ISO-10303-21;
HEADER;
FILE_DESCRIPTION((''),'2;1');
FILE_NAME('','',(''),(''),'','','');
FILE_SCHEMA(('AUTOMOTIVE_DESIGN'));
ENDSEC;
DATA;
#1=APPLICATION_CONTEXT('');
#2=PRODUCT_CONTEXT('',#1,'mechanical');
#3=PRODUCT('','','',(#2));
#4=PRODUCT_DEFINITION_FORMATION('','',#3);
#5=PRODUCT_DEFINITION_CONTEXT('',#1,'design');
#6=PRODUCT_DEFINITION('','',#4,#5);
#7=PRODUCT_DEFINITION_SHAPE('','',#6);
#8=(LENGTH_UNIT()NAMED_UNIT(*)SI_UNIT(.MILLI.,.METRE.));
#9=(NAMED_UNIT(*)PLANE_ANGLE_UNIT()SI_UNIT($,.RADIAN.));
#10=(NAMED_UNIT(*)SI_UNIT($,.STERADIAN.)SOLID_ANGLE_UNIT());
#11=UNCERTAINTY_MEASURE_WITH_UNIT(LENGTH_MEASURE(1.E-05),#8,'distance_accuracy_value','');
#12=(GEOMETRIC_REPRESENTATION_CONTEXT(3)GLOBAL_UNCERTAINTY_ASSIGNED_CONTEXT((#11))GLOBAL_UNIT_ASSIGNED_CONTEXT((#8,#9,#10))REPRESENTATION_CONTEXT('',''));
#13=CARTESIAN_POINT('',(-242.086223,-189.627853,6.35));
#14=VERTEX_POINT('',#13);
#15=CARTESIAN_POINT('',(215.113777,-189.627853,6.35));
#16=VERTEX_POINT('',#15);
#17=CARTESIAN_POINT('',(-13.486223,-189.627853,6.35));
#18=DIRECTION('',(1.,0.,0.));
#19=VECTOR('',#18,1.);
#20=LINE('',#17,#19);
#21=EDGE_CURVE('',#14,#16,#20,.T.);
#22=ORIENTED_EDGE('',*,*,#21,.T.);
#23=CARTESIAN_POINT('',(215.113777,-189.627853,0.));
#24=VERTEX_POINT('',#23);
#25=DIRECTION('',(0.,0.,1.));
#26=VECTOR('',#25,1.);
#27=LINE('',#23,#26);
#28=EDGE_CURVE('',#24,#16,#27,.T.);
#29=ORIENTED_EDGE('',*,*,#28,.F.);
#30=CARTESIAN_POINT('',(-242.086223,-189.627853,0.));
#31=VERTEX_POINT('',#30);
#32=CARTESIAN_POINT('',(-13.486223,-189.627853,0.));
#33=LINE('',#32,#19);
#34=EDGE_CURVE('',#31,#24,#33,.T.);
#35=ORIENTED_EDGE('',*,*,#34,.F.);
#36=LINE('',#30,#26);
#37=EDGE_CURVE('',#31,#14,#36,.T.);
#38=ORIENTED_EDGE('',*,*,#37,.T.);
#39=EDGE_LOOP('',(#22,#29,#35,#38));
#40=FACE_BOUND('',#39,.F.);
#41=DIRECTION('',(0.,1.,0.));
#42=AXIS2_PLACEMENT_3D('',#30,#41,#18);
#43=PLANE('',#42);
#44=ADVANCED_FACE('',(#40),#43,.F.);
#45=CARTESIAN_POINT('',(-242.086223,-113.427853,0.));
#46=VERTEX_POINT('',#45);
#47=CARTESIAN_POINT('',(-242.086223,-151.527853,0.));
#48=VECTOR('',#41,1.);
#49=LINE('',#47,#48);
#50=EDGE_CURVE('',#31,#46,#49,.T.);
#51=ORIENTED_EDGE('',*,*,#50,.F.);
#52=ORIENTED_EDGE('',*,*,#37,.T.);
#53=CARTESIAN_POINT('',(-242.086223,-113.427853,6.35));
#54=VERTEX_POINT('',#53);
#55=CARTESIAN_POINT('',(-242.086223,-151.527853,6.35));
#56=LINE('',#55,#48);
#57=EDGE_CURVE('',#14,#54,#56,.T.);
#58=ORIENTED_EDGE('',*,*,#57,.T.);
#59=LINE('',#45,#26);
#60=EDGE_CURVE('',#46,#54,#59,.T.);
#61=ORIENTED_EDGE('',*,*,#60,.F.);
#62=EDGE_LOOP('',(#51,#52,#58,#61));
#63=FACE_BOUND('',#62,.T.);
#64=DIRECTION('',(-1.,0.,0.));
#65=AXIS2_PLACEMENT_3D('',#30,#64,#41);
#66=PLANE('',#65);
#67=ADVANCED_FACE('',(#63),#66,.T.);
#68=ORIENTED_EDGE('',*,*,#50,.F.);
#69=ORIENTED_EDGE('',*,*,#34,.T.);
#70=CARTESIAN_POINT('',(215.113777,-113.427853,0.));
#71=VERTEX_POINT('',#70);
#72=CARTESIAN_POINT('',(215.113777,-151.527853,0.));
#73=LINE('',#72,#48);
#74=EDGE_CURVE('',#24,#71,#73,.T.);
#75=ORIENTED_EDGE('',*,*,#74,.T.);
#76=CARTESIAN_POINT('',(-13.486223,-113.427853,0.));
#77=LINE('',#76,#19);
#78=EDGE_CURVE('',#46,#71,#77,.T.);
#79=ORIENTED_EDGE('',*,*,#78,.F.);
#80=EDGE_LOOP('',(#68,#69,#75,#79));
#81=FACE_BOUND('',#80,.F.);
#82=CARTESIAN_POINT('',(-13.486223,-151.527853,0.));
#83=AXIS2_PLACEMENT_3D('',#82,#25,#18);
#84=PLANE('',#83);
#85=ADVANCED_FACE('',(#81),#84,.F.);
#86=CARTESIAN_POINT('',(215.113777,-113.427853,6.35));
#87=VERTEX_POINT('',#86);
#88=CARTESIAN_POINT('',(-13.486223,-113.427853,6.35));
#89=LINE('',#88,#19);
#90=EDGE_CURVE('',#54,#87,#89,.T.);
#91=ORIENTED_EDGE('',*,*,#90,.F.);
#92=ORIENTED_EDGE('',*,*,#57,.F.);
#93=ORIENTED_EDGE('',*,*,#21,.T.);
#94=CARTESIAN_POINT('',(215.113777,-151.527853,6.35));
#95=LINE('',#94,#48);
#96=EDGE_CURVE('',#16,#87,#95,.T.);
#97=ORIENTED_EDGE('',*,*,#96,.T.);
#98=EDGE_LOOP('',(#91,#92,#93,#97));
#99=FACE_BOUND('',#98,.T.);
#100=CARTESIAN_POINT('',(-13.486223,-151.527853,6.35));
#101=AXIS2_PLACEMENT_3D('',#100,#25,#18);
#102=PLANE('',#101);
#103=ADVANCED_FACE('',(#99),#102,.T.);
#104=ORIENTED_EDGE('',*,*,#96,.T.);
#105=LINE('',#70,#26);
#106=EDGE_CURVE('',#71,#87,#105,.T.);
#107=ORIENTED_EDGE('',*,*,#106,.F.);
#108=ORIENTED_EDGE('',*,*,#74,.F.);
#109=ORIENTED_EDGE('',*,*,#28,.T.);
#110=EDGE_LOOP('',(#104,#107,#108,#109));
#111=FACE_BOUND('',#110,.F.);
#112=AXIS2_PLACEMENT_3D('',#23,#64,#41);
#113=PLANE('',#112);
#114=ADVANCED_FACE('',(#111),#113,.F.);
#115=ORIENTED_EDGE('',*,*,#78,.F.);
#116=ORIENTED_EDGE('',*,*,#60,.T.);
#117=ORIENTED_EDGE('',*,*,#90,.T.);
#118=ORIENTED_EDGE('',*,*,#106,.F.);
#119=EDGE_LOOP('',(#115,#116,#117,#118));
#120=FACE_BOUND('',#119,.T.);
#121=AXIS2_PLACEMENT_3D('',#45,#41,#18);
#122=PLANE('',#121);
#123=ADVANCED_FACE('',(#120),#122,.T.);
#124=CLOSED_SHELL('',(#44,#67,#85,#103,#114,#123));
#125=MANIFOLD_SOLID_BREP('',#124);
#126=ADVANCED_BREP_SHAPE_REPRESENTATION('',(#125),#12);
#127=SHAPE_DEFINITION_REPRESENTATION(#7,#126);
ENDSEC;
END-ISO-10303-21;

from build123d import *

# Parameters (mm, degrees)
F1_W     = 457.2
F1_H     = 76.2
F2_DEPTH = 6.35


with BuildPart() as f2:
    # F1 (on face) → F2 (new body)
    with BuildSketch(Plane.XY):
        with Locations((-13.486223, -151.527853)):
            Rectangle(F1_W, F1_H)
    extrude(amount=F2_DEPTH)


solid = f2.part
